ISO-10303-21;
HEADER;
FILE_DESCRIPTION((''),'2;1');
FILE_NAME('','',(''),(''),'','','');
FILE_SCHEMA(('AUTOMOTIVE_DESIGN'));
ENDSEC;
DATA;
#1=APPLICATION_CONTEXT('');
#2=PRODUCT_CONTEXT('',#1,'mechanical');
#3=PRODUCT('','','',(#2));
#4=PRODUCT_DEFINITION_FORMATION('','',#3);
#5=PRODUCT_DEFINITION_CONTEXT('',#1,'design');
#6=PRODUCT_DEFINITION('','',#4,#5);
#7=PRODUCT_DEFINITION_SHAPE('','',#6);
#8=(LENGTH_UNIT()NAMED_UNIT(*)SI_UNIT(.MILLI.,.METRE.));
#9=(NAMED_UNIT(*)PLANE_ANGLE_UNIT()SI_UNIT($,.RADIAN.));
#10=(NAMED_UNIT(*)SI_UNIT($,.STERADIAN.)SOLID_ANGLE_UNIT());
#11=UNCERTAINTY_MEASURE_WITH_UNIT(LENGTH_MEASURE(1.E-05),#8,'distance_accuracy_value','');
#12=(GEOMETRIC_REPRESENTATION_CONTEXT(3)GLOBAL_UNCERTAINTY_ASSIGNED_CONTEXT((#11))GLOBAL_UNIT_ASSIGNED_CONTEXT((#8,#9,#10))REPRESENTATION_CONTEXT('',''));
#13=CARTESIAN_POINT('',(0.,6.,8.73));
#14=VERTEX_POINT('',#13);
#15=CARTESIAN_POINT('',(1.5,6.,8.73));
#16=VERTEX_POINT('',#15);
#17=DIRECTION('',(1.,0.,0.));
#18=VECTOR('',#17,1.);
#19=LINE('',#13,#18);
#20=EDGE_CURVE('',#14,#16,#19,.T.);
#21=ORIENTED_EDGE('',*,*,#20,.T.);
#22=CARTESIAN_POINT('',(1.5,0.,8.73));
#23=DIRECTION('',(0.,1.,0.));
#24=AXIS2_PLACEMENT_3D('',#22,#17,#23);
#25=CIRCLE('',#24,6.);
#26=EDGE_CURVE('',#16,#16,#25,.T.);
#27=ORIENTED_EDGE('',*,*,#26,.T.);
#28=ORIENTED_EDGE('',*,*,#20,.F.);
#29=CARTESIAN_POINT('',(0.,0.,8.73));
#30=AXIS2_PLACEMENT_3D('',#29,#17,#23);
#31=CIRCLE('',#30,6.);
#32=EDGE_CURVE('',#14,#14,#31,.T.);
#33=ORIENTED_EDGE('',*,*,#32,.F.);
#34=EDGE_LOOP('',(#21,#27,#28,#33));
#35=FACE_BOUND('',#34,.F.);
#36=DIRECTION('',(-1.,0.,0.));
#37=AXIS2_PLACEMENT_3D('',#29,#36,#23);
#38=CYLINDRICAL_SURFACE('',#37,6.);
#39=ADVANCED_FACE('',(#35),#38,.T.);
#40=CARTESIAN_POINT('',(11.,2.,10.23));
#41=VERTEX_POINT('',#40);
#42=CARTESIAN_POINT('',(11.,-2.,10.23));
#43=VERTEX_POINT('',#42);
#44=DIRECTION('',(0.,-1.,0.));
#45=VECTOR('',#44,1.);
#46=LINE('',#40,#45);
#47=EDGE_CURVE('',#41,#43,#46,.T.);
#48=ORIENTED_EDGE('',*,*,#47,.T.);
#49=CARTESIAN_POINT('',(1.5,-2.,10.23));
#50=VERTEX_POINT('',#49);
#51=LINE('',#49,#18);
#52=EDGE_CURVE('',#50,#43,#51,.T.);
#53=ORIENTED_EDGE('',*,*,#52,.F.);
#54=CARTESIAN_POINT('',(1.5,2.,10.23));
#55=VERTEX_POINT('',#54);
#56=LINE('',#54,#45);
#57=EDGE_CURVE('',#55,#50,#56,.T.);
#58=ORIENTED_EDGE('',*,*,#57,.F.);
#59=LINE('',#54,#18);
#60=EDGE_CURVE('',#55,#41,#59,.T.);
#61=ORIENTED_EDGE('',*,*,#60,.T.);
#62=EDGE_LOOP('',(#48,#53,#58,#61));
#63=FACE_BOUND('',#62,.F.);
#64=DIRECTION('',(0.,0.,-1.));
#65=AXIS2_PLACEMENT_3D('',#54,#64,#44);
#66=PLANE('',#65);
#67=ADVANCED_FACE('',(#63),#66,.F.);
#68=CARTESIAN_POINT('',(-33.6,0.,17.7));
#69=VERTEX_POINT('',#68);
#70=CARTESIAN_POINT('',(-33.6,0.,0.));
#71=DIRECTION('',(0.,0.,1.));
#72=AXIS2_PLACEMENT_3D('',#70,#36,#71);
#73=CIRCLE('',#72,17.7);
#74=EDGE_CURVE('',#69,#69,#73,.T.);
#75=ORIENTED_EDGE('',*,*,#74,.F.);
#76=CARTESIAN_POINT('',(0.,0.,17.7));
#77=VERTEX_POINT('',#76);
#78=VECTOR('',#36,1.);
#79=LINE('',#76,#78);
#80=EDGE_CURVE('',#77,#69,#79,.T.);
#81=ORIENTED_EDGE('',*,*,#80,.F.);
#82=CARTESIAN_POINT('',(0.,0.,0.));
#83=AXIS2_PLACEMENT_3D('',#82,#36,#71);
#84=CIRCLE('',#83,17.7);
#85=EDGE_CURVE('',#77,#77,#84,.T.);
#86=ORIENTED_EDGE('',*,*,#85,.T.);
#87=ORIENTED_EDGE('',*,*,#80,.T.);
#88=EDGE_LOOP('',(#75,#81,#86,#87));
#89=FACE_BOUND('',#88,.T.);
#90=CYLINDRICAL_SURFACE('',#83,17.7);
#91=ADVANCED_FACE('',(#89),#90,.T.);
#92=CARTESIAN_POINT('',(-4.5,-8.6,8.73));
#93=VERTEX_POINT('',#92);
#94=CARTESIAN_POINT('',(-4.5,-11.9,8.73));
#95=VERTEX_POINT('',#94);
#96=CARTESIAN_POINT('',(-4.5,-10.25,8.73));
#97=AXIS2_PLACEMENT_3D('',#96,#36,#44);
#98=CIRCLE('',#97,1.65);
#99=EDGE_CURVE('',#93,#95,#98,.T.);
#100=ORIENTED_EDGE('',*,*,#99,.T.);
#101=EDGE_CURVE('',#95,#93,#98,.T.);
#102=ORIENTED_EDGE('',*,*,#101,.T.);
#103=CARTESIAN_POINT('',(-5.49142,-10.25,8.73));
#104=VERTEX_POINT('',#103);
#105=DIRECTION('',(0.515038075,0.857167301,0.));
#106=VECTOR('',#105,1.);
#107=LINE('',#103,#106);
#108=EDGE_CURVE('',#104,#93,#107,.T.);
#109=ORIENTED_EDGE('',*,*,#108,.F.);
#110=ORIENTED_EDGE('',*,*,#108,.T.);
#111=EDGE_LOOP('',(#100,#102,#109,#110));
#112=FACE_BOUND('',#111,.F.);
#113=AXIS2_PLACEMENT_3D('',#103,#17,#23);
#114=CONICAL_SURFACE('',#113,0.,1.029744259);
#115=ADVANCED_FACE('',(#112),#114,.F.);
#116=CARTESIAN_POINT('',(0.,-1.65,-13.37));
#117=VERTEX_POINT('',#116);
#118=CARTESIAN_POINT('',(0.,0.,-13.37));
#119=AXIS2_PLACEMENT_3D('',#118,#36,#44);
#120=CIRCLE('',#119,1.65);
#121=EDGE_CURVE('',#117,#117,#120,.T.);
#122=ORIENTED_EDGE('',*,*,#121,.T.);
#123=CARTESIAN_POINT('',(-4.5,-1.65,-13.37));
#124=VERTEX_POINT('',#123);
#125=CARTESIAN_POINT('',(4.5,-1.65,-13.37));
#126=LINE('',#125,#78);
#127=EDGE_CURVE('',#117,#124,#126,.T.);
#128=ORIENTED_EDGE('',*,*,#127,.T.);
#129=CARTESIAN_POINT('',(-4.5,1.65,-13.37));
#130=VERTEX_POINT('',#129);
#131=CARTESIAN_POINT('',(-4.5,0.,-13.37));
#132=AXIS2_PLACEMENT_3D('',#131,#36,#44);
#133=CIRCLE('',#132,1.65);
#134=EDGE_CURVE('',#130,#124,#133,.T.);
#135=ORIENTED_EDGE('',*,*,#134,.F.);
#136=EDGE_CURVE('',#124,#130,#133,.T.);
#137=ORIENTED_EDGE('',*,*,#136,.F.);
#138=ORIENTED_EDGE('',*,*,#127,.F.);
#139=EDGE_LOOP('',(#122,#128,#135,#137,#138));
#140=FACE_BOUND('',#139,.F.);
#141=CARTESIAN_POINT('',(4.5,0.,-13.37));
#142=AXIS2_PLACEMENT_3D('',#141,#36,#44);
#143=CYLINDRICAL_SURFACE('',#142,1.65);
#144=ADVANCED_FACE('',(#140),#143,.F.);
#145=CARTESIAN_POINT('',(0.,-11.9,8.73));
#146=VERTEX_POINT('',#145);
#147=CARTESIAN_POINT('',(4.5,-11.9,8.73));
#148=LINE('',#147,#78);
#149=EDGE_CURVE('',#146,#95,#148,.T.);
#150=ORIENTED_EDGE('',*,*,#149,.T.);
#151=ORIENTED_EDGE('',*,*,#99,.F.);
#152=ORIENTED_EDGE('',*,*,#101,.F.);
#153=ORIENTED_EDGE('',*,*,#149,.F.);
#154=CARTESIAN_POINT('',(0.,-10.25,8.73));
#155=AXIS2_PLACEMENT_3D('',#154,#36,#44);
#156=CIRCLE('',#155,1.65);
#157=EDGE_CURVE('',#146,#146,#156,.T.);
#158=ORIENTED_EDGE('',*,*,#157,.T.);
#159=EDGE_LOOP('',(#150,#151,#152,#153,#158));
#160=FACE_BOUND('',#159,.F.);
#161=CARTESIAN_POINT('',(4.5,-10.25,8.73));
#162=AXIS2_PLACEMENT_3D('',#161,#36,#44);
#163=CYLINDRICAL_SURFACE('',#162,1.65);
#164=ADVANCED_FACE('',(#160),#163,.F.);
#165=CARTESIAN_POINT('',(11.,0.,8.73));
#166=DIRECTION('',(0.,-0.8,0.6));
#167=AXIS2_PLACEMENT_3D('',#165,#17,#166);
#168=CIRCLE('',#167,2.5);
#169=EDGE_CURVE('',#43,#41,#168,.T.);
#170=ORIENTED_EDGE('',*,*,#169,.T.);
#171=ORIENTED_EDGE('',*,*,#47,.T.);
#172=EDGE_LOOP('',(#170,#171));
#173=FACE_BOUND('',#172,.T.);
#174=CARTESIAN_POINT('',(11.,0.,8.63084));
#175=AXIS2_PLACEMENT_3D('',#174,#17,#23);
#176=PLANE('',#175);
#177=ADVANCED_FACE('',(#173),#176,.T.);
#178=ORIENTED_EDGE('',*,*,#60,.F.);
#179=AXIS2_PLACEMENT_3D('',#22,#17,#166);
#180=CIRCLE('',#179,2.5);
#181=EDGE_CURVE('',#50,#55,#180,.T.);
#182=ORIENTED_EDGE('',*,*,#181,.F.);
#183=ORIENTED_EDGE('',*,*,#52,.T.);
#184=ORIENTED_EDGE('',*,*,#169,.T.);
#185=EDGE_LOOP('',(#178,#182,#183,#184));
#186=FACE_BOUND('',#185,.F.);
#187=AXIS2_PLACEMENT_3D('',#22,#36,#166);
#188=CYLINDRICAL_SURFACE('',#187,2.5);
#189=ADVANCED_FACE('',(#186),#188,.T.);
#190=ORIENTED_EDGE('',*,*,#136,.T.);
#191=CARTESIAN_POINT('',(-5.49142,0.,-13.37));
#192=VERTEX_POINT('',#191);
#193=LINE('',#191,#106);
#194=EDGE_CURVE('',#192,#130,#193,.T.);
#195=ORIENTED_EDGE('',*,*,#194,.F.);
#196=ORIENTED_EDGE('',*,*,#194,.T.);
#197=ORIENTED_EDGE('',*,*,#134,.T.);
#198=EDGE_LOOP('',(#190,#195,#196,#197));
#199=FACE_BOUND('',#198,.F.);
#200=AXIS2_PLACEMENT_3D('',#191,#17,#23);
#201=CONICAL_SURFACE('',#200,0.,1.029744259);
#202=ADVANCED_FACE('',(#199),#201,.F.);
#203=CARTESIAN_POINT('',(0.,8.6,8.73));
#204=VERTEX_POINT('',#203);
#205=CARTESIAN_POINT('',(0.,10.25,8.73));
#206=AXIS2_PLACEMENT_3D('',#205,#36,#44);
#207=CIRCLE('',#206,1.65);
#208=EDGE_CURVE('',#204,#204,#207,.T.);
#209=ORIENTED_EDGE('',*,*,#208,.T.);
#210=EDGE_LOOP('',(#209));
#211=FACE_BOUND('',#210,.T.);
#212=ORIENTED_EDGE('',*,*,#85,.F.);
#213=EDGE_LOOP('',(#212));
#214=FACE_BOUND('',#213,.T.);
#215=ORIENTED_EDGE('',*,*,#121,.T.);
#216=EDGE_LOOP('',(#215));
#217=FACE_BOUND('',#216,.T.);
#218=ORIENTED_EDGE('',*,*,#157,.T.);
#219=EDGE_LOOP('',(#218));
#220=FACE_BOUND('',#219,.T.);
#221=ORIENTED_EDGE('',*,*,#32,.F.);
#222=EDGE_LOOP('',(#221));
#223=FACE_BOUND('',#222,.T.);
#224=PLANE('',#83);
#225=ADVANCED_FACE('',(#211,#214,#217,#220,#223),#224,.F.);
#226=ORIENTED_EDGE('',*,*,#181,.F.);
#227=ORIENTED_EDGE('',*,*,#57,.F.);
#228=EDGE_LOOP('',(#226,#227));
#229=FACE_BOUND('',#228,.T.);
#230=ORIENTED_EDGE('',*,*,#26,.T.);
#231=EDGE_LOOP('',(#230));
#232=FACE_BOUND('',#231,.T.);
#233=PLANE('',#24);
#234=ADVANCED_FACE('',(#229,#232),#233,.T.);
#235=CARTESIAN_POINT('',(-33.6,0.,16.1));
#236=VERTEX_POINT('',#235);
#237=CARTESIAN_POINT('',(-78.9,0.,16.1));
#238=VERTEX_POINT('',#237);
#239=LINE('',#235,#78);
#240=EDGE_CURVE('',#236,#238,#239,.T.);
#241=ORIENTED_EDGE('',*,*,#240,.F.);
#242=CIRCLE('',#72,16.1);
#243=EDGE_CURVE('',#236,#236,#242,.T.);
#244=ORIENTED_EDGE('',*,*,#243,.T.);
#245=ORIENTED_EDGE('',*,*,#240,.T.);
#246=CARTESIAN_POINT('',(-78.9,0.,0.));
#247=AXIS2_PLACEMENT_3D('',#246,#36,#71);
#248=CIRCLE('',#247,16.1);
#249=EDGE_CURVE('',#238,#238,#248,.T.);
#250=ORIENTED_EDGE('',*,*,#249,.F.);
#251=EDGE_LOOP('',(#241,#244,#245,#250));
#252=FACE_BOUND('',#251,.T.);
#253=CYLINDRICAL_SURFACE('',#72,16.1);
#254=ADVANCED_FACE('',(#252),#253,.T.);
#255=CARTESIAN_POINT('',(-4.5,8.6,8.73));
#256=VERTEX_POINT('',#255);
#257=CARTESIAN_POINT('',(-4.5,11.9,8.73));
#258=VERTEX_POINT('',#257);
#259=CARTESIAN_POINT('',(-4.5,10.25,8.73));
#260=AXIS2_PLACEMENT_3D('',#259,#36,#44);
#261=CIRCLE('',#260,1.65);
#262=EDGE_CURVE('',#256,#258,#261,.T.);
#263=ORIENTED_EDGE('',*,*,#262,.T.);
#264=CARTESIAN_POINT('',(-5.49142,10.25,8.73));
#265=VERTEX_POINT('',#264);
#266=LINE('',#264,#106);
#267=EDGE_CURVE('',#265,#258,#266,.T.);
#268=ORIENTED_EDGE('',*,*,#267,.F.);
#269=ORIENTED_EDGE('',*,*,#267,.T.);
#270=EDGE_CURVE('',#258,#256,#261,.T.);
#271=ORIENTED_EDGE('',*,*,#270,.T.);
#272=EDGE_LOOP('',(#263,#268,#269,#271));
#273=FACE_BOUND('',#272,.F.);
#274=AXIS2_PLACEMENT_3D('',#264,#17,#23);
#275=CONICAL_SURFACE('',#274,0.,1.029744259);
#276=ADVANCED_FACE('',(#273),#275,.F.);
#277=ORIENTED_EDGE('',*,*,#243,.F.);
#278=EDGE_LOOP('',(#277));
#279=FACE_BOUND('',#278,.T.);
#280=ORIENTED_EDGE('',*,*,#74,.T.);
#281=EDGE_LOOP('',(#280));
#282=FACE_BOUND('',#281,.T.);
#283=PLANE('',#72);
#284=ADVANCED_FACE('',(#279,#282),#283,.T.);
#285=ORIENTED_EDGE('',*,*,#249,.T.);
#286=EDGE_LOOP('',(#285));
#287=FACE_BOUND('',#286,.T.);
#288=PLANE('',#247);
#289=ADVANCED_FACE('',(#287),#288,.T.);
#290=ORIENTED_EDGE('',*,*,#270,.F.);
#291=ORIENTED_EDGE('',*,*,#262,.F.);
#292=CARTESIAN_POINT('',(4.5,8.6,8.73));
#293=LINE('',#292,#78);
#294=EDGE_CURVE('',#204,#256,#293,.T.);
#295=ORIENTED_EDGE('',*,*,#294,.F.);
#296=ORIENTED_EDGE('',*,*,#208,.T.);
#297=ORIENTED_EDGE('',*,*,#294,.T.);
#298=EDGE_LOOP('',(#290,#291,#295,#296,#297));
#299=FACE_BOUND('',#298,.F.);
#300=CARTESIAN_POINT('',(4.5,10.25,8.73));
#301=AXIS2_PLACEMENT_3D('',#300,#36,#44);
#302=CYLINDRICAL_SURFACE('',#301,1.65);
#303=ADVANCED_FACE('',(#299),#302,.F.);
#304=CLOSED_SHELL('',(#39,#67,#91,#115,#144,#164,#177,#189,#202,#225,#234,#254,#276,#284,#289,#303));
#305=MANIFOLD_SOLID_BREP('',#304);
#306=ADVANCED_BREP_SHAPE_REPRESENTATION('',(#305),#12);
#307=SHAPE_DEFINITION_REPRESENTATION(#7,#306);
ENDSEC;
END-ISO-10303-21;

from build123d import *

# Parameters (mm, degrees)
F2_R     = 6
F3_DEPTH = 1.5
F5_DEPTH = 9.5
F6_D     = 3.3
F6_DEPTH = 4.5
F6_TIP   = 0.9914200214


with BuildPart() as f1:
    # F0 (on Front) → F1 (revolve)
    with BuildSketch(Plane.XZ):
        Polygon((-78.9, 16.1), (-78.9, 0), (0, 0), (0, 17.7), (-33.6, 17.7), (-33.6, 16.1), align=None)
    revolve(axis=Axis((-39.45, 0, 0), (-1, 0, 0)))

    # F2 (on face) → F3 (join)
    with BuildSketch(Plane.YZ):
        with Locations((0, 8.73)):
            Circle(F2_R)
    extrude(amount=F3_DEPTH)

    # F4 (on face) → F5 (join)
    with BuildSketch(Plane.YZ.offset(1.5)):
        with BuildLine():
            Line((2, 10.23), (-2, 10.23))
            ThreePointArc((-2, 10.23), (0, 6.23), (2, 10.23))
        make_face()
    extrude(amount=F5_DEPTH)

    # F6
    with Locations(Plane.YZ):
        with Locations((-10.25, 8.73), (10.25, 8.73), (0, -13.37)):
            Hole(F6_D / 2, depth=F6_DEPTH)
            with Locations((0, 0, -(F6_DEPTH + F6_TIP / 2))):  # 118° drill point
                Cone(0, F6_D / 2, F6_TIP, mode=Mode.SUBTRACT)


solid = f1.part
